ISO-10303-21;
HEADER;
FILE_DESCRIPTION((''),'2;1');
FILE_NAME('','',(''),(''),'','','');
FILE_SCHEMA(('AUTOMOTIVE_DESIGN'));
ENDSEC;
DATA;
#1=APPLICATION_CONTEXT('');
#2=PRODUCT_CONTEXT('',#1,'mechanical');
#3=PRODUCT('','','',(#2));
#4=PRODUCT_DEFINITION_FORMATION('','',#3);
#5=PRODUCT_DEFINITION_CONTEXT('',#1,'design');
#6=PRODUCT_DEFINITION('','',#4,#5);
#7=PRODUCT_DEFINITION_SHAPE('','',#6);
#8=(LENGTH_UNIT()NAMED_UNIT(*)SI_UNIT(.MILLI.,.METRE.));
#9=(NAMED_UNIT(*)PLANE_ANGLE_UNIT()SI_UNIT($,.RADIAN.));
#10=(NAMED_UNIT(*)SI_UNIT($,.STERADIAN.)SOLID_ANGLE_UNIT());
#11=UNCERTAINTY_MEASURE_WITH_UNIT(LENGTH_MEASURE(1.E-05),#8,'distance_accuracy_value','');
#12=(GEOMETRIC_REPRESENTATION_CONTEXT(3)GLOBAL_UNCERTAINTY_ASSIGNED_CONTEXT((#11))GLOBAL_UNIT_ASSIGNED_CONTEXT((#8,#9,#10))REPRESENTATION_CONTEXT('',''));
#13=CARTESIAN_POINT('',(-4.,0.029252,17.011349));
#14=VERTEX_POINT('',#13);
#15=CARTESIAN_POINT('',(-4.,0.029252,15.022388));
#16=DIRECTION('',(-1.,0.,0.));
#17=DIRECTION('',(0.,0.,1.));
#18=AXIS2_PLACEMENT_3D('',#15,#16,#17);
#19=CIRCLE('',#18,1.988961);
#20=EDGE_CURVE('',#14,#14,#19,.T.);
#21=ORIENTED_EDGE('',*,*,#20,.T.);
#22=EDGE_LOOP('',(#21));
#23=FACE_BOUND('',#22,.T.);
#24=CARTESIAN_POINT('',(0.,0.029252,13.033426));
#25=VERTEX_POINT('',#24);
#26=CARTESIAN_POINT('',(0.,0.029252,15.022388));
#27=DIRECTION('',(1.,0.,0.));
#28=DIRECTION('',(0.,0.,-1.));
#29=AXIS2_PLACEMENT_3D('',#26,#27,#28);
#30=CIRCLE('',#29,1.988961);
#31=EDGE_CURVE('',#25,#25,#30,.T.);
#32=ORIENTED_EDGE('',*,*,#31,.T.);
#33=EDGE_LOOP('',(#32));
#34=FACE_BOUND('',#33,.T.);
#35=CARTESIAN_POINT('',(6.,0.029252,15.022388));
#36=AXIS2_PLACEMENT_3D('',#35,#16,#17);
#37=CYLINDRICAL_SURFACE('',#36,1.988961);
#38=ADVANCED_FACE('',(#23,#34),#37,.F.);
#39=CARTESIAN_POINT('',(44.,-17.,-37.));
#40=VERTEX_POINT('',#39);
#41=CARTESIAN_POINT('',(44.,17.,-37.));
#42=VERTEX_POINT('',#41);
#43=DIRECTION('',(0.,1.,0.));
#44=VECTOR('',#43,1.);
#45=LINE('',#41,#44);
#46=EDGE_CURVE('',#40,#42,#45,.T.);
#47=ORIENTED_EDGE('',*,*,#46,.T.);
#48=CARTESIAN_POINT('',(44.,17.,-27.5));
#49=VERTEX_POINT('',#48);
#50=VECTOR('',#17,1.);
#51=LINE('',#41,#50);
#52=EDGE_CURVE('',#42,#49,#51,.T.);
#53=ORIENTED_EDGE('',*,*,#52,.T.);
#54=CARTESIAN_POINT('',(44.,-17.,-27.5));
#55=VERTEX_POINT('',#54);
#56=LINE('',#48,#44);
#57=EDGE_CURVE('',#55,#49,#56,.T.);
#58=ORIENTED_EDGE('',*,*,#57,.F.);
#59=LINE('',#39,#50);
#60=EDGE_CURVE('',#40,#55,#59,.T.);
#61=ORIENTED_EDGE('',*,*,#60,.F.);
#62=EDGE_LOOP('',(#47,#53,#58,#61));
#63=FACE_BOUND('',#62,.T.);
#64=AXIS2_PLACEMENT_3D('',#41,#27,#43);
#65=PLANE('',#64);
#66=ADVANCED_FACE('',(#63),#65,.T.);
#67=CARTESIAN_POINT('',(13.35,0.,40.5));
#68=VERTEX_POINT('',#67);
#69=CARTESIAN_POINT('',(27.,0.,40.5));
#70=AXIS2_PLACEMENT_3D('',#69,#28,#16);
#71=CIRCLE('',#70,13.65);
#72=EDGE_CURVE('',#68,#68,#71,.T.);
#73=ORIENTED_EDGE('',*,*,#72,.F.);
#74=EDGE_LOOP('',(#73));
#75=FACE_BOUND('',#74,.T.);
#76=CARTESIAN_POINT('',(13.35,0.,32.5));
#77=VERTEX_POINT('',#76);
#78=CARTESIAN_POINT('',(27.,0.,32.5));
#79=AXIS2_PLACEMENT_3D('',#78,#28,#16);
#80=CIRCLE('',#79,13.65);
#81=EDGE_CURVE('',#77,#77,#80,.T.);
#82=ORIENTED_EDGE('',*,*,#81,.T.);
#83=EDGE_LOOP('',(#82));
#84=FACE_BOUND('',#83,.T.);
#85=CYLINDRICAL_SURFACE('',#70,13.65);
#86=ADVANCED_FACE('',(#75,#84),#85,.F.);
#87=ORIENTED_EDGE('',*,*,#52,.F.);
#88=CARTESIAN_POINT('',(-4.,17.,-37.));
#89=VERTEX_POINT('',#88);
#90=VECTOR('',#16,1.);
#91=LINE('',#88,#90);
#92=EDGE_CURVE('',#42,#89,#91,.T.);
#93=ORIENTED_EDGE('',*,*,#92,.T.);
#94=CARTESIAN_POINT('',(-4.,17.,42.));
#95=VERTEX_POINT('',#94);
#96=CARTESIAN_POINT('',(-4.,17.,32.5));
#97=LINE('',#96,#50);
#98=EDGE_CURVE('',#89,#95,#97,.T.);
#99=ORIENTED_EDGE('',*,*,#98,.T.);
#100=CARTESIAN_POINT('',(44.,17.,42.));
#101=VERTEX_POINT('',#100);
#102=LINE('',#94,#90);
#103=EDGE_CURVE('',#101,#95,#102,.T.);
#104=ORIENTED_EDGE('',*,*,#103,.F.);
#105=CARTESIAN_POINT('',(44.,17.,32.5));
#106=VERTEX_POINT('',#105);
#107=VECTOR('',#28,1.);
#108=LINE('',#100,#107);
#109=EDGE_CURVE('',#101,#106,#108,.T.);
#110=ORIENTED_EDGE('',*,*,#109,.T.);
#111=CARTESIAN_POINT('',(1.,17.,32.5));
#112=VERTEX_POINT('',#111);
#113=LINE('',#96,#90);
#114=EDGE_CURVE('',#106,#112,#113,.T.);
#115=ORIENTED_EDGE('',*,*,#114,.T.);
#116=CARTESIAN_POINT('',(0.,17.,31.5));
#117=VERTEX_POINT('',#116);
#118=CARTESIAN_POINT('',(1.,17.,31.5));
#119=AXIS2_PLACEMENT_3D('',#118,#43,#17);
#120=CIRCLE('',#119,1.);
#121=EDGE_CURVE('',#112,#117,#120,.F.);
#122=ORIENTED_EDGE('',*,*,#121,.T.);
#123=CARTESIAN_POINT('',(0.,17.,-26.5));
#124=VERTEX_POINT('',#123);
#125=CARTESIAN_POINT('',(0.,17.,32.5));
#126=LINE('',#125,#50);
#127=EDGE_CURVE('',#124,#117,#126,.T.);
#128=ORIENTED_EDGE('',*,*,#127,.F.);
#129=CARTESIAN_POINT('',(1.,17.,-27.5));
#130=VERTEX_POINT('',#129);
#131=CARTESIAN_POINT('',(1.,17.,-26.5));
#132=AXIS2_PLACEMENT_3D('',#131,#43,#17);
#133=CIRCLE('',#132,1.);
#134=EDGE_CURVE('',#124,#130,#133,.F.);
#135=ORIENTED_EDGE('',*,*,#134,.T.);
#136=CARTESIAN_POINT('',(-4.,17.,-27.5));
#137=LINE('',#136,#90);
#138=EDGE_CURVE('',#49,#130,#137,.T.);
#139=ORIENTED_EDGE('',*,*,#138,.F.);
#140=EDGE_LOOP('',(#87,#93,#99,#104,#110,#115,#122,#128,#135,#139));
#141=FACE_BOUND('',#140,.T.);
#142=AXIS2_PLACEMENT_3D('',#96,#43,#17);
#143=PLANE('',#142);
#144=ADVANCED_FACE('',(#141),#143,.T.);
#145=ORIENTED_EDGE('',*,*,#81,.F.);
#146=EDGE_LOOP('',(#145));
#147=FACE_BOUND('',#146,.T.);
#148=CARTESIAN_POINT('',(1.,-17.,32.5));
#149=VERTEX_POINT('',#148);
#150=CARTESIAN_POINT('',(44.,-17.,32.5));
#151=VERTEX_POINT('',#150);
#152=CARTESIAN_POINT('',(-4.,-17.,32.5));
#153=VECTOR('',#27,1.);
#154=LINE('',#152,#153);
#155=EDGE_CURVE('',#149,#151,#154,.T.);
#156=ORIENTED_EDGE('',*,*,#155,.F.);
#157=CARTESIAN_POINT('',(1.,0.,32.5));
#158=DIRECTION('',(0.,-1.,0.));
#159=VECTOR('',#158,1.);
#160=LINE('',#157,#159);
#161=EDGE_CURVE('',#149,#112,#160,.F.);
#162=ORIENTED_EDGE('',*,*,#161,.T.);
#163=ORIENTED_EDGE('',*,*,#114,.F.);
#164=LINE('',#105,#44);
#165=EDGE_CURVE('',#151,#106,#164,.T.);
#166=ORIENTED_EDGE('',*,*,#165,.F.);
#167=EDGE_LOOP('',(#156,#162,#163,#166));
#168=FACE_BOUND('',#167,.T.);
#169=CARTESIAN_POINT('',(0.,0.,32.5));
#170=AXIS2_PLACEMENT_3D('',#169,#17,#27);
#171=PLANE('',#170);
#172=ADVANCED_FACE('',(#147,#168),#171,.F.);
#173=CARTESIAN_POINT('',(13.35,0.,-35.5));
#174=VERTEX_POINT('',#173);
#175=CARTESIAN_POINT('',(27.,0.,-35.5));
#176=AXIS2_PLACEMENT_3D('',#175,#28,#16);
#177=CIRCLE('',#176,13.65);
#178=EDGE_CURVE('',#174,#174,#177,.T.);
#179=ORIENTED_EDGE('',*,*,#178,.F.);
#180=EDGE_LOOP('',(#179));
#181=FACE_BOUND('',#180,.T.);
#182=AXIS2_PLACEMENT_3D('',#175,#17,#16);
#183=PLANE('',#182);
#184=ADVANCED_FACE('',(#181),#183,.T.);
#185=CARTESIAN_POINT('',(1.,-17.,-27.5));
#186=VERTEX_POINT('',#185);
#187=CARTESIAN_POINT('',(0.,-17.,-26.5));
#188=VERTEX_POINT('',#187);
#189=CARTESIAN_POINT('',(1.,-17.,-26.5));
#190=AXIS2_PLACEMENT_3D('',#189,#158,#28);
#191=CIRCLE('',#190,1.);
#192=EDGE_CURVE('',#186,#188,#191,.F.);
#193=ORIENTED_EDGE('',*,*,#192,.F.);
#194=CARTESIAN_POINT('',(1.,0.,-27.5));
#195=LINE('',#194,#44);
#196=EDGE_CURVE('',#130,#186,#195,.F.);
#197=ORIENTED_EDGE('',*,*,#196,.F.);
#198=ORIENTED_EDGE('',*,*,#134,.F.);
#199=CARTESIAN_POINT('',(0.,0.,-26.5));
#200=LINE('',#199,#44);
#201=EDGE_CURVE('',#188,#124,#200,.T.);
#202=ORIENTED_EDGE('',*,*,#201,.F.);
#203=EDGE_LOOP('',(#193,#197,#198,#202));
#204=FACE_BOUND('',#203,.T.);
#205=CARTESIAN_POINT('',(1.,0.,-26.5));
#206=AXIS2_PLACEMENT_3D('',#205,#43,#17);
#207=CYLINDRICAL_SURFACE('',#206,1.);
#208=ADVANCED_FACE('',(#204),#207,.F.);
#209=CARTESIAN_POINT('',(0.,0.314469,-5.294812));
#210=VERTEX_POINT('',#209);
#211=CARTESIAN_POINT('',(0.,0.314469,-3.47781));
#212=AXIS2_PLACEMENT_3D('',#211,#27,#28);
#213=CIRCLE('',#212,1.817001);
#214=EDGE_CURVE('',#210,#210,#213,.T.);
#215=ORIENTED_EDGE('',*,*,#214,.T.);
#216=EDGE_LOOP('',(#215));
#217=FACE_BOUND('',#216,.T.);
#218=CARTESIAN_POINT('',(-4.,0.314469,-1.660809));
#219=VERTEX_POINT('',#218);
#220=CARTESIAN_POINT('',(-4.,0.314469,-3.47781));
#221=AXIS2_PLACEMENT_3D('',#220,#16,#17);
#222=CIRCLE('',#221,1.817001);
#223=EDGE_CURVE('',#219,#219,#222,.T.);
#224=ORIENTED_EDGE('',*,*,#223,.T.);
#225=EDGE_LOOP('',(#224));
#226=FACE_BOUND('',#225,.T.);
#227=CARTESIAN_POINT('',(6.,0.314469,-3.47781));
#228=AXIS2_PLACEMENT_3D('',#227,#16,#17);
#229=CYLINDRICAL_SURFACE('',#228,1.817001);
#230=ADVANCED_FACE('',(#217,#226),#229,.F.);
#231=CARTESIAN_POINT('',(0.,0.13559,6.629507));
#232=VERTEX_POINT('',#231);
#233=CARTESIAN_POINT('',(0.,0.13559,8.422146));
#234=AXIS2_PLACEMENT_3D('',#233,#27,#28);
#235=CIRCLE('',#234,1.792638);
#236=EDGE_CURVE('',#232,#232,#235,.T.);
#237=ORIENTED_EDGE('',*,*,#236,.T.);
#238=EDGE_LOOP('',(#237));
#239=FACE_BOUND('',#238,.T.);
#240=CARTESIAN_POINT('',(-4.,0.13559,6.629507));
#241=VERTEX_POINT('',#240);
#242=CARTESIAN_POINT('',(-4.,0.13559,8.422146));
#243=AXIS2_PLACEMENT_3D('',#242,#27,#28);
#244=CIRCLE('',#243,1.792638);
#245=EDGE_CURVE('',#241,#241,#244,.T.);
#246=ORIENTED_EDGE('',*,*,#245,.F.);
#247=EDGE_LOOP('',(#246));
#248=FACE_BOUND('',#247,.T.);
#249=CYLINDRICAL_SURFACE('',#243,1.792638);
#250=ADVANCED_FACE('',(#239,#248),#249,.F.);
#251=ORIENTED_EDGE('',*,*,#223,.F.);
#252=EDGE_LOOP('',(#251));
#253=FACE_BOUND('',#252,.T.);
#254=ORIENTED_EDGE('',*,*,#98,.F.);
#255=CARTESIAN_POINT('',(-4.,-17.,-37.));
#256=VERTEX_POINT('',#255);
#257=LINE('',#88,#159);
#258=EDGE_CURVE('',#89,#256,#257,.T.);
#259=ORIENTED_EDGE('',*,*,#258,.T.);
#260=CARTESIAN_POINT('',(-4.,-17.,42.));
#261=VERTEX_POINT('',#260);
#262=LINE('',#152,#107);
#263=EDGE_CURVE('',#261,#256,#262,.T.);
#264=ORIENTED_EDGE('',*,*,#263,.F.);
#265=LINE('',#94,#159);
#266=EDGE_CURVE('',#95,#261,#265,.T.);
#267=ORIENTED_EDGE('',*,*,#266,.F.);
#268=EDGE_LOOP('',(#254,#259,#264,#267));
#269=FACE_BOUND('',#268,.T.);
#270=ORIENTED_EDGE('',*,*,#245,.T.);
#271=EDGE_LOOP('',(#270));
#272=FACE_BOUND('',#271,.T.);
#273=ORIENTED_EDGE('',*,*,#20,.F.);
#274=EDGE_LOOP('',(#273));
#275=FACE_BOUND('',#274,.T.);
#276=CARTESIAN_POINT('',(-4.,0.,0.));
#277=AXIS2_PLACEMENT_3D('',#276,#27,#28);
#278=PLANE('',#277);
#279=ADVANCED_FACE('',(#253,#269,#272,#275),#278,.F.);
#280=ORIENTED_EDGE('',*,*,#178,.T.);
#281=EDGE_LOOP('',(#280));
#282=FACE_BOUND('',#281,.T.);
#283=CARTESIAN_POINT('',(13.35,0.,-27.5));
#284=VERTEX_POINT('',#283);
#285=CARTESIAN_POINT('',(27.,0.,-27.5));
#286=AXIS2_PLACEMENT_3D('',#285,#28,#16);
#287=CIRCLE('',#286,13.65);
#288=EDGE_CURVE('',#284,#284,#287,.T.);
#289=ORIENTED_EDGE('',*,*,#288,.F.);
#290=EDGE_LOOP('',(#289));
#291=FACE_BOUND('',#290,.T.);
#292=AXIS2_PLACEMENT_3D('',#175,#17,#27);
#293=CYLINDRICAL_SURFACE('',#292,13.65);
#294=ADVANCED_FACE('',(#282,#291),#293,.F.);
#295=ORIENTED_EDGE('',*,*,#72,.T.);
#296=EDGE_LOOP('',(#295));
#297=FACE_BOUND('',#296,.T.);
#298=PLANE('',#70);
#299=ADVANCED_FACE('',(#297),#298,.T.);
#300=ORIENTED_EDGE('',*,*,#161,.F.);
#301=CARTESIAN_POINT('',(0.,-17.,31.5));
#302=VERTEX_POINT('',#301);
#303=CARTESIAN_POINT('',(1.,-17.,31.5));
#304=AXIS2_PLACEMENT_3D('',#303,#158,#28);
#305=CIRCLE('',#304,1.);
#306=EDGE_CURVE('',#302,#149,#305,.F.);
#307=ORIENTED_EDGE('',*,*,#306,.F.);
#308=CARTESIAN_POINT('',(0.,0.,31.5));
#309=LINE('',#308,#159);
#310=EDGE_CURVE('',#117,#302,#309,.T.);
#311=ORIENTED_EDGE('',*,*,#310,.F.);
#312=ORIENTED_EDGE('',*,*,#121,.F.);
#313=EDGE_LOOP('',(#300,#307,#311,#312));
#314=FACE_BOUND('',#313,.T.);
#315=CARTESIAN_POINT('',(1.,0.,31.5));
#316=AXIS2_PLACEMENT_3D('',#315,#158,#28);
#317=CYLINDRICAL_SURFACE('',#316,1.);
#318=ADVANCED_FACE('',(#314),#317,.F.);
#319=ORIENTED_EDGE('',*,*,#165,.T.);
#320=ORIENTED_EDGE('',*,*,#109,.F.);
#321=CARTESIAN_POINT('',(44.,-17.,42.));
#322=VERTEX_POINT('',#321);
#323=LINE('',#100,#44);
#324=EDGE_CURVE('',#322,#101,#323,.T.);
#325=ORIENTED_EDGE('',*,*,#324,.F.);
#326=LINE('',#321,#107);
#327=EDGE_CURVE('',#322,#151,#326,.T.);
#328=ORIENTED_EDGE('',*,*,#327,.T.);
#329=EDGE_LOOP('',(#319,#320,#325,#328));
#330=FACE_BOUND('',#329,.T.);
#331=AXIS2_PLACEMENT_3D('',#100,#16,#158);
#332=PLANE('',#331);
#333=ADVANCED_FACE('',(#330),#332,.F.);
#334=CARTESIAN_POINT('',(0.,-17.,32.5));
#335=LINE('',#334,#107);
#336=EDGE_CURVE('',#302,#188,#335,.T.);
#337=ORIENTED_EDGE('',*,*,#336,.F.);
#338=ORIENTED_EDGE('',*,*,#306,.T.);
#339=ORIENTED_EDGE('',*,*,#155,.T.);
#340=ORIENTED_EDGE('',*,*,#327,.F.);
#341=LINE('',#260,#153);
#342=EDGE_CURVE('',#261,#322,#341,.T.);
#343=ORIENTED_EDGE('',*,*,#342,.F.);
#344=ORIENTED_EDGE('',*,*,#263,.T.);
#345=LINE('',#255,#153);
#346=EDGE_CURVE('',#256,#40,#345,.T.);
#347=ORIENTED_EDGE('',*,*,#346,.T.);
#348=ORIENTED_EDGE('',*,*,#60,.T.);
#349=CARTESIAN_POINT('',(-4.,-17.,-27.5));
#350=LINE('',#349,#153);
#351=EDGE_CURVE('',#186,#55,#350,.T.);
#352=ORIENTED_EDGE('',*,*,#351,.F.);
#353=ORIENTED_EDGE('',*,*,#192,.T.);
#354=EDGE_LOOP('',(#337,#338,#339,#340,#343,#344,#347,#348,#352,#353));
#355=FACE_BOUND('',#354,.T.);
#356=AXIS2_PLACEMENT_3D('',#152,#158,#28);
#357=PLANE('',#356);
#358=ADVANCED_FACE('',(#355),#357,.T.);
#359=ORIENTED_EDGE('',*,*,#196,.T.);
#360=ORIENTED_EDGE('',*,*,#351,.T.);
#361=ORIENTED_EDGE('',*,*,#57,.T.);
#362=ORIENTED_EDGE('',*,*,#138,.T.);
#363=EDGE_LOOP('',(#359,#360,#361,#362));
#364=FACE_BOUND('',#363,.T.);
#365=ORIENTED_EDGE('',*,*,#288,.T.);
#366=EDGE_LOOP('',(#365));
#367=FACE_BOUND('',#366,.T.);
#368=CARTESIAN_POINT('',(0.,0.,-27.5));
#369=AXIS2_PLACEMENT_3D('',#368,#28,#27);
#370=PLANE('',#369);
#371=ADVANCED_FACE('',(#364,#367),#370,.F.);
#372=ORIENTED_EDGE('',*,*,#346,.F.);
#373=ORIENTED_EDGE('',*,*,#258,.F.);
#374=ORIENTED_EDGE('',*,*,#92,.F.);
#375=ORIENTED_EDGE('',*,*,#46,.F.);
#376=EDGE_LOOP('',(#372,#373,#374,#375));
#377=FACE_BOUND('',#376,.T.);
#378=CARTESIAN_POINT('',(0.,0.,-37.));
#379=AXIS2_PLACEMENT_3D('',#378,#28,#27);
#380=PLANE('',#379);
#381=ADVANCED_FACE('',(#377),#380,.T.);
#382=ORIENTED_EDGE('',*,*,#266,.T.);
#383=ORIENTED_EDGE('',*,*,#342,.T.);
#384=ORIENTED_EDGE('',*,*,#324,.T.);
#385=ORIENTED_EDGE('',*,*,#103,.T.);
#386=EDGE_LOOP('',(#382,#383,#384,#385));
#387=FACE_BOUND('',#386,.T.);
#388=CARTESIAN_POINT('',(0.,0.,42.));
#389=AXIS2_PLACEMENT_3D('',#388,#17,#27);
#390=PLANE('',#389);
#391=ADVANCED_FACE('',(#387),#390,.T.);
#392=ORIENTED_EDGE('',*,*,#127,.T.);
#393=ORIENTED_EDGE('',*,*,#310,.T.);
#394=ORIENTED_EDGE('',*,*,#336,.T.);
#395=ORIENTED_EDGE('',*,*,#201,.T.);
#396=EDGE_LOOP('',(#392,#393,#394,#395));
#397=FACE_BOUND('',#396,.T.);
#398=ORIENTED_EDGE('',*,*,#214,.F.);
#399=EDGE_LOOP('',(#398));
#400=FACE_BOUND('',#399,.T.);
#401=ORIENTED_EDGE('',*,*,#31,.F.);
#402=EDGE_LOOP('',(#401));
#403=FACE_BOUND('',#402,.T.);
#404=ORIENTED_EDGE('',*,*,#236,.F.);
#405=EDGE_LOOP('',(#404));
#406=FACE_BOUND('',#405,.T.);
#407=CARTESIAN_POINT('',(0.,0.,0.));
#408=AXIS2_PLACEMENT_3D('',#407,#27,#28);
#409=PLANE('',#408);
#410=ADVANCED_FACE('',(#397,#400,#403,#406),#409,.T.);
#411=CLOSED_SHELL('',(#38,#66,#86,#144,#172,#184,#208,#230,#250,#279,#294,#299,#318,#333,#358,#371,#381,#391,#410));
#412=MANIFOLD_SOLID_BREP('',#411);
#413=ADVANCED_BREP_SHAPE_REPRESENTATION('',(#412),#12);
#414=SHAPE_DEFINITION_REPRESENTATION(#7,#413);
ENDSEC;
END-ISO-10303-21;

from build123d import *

# Parameters (mm, degrees)
SKETCH1_W           = 65
SKETCH1_H           = 34
SKETCH1_R           = 1.792638337
BOSS_EXTRUDE1_DEPTH = 4
SKETCH3_W           = 48
SKETCH3_H           = 34
BOSS_EXTRUDE2_DEPTH = 9.5
FILLET4_R           = 1
FILLET5_R           = 1
SKETCH5_R           = 13.65
CUT_EXTRUDE1_DEPTH  = 8
SKETCH6_R           = 1.817001486
SKETCH6_R_2         = 1.988961177
CUT_EXTRUDE2_DEPTH  = 10


with BuildPart() as part:
    # Sketch1 → Boss-Extrude1 (new body)
    with BuildSketch(Plane(origin=(0, 0, 0), x_dir=(0, 0, -1), z_dir=(1, 0, 0))):
        Rectangle(SKETCH1_W, SKETCH1_H)
        with Locations((-8.422145585, 0.13559033)):
            Circle(SKETCH1_R, mode=Mode.SUBTRACT)
    extrude(amount=-BOSS_EXTRUDE1_DEPTH)

    # Sketch3 → Boss-Extrude2 (add)
    with BuildSketch(Plane.XY.offset(32.5)):
        with Locations((20, 0)):
            Rectangle(SKETCH3_W, SKETCH3_H)
    boss_extrude2 = extrude(amount=BOSS_EXTRUDE2_DEPTH)

    # Mirror1: Boss-Extrude2 across plane
    add(boss_extrude2.mirror(Plane(origin=(0, 0, 2.5), x_dir=(1, 0, 0), z_dir=(0, 0, -1))))

    # Fillet4
    fillet4_edges = [part.edges().sort_by_distance(p)[0] for p in [
        (0, 0, 32.5),
    ]]
    fillet(fillet4_edges, radius=FILLET4_R)

    # Fillet5
    fillet5_edges = [part.edges().sort_by_distance(p)[0] for p in [
        (0, 0, -27.5),
    ]]
    fillet(fillet5_edges, radius=FILLET5_R)

    # Sketch5 → Cut-Extrude1 (cut)
    with BuildSketch(Plane(origin=(0, 0, 32.5), x_dir=(-1, 0, 0), z_dir=(0, 0, -1))):
        with Locations((-27, 0)):
            Circle(SKETCH5_R)
    cut_extrude1 = extrude(amount=-CUT_EXTRUDE1_DEPTH, mode=Mode.SUBTRACT)

    # Mirror2: Cut-Extrude1 across plane
    add(cut_extrude1.mirror(Plane(origin=(0, 0, 2.5), x_dir=(1, 0, 0), z_dir=(0, 0, -1))), mode=Mode.SUBTRACT)

    # Sketch6 → Cut-Extrude2 (cut)
    with BuildSketch(Plane.ZY.offset(4)):
        with Locations((-3.477810301, 0.314468999)):
            Circle(SKETCH6_R)
        with Locations((15.022387571, 0.02925164)):
            Circle(SKETCH6_R_2)
    extrude(amount=-CUT_EXTRUDE2_DEPTH, mode=Mode.SUBTRACT)


solid = part.part
